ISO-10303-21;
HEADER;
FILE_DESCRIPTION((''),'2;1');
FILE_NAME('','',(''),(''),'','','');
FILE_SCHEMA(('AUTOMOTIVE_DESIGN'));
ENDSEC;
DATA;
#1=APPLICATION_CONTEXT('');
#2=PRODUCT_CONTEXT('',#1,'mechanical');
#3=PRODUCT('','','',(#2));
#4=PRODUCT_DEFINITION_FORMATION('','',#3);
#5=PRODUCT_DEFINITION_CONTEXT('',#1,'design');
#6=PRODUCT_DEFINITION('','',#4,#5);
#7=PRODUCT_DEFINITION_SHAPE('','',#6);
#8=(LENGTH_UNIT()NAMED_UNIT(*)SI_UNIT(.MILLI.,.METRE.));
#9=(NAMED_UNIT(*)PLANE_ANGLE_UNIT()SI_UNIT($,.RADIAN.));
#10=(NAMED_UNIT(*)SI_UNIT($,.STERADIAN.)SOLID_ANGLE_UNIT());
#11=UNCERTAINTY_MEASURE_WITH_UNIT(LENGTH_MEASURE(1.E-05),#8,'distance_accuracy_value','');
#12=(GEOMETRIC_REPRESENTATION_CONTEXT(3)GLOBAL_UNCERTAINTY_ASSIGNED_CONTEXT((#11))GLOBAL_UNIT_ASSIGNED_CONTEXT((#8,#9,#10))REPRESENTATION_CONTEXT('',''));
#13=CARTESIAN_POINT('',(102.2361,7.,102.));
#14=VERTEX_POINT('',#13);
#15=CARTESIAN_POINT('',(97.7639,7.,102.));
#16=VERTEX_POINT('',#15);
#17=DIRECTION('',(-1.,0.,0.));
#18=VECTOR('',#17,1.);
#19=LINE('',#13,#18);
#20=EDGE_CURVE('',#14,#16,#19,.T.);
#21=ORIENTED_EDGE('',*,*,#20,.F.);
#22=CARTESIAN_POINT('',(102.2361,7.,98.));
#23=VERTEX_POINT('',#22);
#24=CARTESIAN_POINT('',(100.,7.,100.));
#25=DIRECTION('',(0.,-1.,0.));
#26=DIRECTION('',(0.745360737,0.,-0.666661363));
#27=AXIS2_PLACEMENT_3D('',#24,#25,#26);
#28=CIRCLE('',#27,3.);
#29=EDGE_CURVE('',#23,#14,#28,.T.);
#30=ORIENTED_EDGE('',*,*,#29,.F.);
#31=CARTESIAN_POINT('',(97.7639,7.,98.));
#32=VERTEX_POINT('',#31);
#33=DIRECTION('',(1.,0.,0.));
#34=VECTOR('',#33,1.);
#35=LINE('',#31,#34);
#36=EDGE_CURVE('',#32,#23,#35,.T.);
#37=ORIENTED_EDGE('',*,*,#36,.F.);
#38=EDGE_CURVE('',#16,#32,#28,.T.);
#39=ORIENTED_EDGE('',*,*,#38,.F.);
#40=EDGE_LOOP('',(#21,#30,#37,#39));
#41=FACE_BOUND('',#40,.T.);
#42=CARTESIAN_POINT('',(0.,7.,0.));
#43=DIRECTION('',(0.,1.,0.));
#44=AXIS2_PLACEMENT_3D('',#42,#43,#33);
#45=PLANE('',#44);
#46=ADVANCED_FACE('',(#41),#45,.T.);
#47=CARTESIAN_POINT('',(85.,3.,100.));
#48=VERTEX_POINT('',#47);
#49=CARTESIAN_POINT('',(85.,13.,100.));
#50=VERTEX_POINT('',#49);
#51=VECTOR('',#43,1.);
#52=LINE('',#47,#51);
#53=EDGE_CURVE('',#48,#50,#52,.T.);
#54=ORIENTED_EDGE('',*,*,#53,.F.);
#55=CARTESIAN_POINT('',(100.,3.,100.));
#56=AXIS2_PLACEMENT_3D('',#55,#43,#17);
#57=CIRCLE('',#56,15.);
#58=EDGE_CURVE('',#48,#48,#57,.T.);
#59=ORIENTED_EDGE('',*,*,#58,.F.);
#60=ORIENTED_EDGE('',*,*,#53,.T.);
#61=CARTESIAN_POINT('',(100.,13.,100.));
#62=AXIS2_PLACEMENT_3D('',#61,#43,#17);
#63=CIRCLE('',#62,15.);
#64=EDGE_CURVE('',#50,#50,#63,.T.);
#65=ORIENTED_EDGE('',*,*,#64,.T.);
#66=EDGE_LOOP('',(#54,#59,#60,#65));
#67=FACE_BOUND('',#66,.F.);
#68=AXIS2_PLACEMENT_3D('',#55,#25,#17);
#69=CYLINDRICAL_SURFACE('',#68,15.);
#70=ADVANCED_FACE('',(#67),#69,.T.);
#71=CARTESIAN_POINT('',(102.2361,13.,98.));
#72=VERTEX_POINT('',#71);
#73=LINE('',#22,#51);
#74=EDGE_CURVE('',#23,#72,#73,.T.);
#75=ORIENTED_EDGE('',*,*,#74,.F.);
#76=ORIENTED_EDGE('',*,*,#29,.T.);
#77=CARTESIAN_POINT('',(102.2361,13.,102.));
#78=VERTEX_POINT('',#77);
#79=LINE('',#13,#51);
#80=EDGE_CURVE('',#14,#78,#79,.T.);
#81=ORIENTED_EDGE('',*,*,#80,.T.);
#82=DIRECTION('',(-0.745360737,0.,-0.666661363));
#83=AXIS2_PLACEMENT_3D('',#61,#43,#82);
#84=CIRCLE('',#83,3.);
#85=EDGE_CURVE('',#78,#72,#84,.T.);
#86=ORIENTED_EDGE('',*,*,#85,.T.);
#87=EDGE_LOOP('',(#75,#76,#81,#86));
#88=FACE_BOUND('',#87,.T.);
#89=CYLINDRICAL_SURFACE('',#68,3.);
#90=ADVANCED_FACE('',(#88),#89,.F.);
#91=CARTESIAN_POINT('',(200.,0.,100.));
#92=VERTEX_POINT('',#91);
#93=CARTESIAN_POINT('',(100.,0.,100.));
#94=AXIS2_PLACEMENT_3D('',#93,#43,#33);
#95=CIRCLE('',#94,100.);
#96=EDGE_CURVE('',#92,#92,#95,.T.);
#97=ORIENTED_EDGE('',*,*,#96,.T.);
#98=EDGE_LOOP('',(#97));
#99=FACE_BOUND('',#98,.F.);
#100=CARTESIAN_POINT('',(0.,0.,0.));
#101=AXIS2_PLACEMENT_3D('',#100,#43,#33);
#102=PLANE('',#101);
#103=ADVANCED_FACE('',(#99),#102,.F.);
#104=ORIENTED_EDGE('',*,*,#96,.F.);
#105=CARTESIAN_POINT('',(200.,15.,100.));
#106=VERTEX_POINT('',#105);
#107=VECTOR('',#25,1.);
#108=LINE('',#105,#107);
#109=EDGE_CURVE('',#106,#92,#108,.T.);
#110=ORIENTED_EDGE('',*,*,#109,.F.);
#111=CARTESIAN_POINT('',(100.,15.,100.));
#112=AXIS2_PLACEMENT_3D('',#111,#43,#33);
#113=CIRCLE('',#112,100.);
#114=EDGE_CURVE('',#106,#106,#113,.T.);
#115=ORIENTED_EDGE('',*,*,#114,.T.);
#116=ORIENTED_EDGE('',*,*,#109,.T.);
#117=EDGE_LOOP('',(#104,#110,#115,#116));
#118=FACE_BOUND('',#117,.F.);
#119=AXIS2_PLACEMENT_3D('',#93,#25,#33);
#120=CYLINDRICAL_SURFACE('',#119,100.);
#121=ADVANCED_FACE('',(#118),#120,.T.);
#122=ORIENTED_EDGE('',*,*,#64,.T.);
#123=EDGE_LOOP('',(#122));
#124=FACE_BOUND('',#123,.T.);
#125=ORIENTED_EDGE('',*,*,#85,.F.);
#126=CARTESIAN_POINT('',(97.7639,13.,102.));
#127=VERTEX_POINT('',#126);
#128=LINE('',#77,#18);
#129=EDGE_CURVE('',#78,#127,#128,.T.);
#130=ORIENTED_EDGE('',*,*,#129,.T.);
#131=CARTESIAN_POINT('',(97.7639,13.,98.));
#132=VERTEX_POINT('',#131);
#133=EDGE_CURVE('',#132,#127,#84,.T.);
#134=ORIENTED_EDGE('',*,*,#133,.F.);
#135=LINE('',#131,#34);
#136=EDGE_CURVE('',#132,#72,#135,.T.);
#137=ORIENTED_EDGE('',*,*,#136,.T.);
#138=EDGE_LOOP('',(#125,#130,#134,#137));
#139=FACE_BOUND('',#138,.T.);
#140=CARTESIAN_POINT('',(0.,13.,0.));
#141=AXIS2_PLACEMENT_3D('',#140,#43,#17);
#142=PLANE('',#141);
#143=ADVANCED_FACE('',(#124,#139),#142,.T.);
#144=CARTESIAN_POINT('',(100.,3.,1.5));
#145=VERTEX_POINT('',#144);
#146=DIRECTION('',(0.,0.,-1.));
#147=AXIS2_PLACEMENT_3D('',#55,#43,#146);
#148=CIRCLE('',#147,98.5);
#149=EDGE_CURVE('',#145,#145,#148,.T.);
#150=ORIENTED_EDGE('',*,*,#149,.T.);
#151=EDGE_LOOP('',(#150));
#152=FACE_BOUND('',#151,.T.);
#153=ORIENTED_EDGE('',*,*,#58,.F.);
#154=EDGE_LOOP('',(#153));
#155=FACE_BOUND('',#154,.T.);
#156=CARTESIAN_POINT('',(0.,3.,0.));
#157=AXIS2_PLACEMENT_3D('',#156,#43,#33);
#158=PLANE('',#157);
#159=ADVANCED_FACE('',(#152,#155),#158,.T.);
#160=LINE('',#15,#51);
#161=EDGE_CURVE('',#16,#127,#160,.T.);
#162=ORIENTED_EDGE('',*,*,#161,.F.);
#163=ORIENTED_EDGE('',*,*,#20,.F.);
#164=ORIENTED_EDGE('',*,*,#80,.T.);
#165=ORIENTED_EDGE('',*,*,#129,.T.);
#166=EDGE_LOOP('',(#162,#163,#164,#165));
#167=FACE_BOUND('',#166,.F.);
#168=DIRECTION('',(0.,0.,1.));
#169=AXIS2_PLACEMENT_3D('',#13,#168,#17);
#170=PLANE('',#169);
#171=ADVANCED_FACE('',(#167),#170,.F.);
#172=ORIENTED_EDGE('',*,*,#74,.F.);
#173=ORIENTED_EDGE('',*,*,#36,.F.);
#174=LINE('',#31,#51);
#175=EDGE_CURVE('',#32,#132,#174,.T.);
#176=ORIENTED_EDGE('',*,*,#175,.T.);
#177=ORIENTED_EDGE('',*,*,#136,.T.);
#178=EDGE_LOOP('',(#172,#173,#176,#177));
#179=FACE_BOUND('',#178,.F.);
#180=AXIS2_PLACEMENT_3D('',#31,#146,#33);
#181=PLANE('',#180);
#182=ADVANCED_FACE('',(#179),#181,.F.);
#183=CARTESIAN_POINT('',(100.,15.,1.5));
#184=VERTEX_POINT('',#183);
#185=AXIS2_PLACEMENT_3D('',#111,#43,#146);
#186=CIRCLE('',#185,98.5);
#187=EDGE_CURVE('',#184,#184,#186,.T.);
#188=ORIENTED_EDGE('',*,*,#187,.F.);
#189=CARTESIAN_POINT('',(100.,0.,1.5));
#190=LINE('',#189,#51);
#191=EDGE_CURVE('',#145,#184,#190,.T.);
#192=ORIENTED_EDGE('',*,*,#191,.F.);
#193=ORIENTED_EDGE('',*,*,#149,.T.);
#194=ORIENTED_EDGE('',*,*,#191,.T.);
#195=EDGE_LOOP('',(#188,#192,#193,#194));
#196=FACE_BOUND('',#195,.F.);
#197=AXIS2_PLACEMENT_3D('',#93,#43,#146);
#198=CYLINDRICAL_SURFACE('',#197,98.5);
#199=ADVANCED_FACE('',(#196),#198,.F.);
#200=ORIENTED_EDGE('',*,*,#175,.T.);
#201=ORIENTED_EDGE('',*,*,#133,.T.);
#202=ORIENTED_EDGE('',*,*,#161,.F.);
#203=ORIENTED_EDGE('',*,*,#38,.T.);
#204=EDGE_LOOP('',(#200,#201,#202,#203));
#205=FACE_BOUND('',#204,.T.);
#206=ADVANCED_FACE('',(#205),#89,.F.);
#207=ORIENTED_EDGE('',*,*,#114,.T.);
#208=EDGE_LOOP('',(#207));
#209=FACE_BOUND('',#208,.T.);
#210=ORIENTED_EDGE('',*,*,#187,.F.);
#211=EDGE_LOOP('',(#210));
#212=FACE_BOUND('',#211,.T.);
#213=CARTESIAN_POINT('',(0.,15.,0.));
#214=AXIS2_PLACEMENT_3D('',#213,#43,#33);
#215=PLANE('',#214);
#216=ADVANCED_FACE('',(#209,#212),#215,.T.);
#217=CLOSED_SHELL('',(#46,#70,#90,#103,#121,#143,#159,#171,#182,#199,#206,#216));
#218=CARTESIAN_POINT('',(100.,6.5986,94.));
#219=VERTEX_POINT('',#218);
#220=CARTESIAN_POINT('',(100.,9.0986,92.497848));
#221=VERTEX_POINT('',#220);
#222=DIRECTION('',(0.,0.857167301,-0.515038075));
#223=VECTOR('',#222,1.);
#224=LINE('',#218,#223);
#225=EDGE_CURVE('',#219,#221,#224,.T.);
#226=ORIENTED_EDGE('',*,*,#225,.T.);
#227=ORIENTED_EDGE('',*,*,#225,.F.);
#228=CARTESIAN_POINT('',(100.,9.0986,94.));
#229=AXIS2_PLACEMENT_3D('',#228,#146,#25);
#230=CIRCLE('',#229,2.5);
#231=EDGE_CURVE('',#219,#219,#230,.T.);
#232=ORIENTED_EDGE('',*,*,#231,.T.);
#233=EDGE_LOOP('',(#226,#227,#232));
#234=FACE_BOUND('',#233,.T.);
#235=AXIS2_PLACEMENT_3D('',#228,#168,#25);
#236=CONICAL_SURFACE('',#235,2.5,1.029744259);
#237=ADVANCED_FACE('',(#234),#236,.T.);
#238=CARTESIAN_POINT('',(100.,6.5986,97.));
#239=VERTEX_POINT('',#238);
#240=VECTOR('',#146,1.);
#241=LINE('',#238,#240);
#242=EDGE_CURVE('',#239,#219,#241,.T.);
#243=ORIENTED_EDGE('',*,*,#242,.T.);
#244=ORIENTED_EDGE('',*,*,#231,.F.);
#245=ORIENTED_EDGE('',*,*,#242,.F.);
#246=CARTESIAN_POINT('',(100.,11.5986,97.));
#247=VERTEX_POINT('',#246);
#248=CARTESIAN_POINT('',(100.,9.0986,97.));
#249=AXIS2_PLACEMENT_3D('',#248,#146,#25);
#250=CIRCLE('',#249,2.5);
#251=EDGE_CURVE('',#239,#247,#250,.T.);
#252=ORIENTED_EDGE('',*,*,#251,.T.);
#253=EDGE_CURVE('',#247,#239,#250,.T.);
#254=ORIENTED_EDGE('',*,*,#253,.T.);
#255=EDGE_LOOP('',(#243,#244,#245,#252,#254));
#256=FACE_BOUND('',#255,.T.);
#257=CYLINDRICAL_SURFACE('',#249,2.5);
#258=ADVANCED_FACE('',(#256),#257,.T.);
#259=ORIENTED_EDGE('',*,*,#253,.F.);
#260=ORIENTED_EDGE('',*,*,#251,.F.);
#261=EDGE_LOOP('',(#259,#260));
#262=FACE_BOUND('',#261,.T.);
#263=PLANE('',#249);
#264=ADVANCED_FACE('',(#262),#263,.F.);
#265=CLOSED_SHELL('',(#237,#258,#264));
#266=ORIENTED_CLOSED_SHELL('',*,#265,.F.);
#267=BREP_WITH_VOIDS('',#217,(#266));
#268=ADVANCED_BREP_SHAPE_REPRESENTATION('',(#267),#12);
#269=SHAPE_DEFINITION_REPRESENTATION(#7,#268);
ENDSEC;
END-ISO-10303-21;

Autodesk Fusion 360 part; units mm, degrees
sketch "Boceto1" plane through (0, 0, 0) normal (0, 1, 0) x (1, 0, 0)
  circle A0 centre (100, -100) radius 100
extrude "Extruir1" add sketch "Boceto1" along normal blind 15
hole "Agujero1" at (100, 0, 100) direction (0, 1, 0) diameter 197 depth 197 tip angle 118
sketch "Boceto2" plane through (0, 0, 0) normal (0, 1, 0) x (1, 0, 0)
  circle A0 centre (100, -100) radius 100
  dimension "d6" = 200
extrude "Extruir2" cut sketch "Boceto1" along normal blind 0.003
extrude "Extruir3" add sketch "Boceto2" along normal blind 3
sketch "Boceto4" plane through (0, 3, 0) normal (0, 1, 0) x (-1, 0, 0)
  circle A0 centre (-100, 100) radius 98.5
  circle A1 centre (-100, 100) radius 15
  dimension "d11" = 30
extrude "Extruir4" add sketch "Boceto4" along normal blind 10 contours A1
shell "Vaciado1" thickness 12 removed faces 1 at (101.1126, 13, 95.1254)
extrude "Extruir5" cut 1 faces at (98.8219, 12, 99.3198) along direction (0, -1, 0) blind 5
hole "Agujero2" at (100, 9.0986, 97) direction (0, 0, -1) diameter 5 depth 3 tip angle 118
sketch "Boceto5" plane through (0, 7, 0) normal (0, 1, 0) x (-1, 0, 0)
  circle A0 centre (-100, 100) radius 3
  line L0 (-97.7639, 98) -> (-102.2361, 98)
extrude "Extruir6" add sketch "Boceto5" along normal blind 6 contours A0 L0 picked at (-100.6449, 97.9024)
sketch "Boceto6" plane through (0, 7, 0) normal (0, 1, 0) x (-1, 0, 0)
  line L0 (-102.2361, 98) -> (-97.7639, 98)
  arc A0 (-97.7639, 98) -> (-102.2361, 98) centre (-100, 100) ccw
  line L1 (-102.2361, 102) -> (-97.7639, 102)
extrude "Extruir7" add sketch "Boceto6" along normal blind 6 contours A0 L1
